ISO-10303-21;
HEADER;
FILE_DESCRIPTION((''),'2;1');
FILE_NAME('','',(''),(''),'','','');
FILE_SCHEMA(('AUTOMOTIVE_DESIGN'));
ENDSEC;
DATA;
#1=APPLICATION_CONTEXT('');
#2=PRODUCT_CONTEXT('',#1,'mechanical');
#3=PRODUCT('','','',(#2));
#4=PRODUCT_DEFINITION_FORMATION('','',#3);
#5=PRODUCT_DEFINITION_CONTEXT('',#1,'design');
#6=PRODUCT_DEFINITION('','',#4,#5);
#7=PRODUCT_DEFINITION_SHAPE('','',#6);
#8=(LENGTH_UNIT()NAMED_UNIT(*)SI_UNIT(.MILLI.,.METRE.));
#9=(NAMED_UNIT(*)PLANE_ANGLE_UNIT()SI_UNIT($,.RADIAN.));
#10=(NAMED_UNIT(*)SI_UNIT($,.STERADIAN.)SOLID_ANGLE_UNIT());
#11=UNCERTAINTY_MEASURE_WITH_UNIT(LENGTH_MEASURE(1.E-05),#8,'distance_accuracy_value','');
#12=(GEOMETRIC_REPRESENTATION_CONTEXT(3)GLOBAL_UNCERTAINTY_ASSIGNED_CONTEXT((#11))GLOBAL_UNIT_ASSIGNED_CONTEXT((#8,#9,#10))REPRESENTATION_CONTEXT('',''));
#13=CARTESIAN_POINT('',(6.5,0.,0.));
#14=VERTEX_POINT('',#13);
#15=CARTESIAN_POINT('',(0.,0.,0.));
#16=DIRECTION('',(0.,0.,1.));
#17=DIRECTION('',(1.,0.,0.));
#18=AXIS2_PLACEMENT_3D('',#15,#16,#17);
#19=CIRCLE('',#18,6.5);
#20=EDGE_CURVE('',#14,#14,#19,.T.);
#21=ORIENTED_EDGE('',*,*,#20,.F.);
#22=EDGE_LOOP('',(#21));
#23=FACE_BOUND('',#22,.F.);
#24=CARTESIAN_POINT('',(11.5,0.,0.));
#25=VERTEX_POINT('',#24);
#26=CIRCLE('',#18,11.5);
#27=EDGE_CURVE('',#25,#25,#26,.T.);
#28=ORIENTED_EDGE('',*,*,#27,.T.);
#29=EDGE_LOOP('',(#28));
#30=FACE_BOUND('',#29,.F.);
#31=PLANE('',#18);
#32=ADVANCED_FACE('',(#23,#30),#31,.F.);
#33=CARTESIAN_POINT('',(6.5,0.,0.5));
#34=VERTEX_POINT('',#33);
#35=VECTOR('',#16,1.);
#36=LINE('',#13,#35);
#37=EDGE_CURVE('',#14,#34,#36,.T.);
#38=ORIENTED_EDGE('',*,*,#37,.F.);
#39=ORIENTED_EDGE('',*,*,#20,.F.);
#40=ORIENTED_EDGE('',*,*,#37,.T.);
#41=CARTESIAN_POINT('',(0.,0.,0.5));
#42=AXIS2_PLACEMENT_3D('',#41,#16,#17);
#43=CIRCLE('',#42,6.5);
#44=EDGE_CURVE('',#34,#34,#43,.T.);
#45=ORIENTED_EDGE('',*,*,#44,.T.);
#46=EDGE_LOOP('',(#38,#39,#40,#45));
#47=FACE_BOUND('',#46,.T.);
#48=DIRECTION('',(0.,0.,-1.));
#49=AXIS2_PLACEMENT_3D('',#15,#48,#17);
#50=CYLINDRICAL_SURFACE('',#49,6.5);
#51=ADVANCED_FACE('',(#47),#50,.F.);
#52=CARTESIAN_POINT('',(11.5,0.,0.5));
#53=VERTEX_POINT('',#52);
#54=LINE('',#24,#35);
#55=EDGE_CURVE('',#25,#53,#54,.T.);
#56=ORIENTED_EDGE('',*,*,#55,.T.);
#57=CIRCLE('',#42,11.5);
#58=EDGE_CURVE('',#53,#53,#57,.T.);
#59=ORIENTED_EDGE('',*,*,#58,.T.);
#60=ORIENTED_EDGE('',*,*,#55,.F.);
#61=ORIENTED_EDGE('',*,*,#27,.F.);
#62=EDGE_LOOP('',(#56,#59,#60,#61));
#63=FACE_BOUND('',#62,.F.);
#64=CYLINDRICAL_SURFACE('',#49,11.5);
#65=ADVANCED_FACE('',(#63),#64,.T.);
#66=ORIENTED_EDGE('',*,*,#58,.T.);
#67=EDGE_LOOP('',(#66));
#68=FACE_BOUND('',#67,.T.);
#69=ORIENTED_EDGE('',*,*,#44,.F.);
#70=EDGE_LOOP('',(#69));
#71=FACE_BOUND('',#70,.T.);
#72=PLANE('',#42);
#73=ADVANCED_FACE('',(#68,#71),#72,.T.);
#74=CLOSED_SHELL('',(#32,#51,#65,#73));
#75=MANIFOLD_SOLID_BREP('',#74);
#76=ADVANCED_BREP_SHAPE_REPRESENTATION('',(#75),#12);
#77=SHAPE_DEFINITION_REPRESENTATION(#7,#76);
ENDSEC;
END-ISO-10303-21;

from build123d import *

# Parameters (mm, degrees)
SKETCH_R   = 11.5
SKETCH_R_2 = 6.5
PAD_DEPTH  = 0.5


with BuildPart() as part:
    # Sketch → Pad (new body)
    with BuildSketch(Plane.XY):
        Circle(SKETCH_R)
        Circle(SKETCH_R_2, mode=Mode.SUBTRACT)
    extrude(amount=PAD_DEPTH)


solid = part.part
